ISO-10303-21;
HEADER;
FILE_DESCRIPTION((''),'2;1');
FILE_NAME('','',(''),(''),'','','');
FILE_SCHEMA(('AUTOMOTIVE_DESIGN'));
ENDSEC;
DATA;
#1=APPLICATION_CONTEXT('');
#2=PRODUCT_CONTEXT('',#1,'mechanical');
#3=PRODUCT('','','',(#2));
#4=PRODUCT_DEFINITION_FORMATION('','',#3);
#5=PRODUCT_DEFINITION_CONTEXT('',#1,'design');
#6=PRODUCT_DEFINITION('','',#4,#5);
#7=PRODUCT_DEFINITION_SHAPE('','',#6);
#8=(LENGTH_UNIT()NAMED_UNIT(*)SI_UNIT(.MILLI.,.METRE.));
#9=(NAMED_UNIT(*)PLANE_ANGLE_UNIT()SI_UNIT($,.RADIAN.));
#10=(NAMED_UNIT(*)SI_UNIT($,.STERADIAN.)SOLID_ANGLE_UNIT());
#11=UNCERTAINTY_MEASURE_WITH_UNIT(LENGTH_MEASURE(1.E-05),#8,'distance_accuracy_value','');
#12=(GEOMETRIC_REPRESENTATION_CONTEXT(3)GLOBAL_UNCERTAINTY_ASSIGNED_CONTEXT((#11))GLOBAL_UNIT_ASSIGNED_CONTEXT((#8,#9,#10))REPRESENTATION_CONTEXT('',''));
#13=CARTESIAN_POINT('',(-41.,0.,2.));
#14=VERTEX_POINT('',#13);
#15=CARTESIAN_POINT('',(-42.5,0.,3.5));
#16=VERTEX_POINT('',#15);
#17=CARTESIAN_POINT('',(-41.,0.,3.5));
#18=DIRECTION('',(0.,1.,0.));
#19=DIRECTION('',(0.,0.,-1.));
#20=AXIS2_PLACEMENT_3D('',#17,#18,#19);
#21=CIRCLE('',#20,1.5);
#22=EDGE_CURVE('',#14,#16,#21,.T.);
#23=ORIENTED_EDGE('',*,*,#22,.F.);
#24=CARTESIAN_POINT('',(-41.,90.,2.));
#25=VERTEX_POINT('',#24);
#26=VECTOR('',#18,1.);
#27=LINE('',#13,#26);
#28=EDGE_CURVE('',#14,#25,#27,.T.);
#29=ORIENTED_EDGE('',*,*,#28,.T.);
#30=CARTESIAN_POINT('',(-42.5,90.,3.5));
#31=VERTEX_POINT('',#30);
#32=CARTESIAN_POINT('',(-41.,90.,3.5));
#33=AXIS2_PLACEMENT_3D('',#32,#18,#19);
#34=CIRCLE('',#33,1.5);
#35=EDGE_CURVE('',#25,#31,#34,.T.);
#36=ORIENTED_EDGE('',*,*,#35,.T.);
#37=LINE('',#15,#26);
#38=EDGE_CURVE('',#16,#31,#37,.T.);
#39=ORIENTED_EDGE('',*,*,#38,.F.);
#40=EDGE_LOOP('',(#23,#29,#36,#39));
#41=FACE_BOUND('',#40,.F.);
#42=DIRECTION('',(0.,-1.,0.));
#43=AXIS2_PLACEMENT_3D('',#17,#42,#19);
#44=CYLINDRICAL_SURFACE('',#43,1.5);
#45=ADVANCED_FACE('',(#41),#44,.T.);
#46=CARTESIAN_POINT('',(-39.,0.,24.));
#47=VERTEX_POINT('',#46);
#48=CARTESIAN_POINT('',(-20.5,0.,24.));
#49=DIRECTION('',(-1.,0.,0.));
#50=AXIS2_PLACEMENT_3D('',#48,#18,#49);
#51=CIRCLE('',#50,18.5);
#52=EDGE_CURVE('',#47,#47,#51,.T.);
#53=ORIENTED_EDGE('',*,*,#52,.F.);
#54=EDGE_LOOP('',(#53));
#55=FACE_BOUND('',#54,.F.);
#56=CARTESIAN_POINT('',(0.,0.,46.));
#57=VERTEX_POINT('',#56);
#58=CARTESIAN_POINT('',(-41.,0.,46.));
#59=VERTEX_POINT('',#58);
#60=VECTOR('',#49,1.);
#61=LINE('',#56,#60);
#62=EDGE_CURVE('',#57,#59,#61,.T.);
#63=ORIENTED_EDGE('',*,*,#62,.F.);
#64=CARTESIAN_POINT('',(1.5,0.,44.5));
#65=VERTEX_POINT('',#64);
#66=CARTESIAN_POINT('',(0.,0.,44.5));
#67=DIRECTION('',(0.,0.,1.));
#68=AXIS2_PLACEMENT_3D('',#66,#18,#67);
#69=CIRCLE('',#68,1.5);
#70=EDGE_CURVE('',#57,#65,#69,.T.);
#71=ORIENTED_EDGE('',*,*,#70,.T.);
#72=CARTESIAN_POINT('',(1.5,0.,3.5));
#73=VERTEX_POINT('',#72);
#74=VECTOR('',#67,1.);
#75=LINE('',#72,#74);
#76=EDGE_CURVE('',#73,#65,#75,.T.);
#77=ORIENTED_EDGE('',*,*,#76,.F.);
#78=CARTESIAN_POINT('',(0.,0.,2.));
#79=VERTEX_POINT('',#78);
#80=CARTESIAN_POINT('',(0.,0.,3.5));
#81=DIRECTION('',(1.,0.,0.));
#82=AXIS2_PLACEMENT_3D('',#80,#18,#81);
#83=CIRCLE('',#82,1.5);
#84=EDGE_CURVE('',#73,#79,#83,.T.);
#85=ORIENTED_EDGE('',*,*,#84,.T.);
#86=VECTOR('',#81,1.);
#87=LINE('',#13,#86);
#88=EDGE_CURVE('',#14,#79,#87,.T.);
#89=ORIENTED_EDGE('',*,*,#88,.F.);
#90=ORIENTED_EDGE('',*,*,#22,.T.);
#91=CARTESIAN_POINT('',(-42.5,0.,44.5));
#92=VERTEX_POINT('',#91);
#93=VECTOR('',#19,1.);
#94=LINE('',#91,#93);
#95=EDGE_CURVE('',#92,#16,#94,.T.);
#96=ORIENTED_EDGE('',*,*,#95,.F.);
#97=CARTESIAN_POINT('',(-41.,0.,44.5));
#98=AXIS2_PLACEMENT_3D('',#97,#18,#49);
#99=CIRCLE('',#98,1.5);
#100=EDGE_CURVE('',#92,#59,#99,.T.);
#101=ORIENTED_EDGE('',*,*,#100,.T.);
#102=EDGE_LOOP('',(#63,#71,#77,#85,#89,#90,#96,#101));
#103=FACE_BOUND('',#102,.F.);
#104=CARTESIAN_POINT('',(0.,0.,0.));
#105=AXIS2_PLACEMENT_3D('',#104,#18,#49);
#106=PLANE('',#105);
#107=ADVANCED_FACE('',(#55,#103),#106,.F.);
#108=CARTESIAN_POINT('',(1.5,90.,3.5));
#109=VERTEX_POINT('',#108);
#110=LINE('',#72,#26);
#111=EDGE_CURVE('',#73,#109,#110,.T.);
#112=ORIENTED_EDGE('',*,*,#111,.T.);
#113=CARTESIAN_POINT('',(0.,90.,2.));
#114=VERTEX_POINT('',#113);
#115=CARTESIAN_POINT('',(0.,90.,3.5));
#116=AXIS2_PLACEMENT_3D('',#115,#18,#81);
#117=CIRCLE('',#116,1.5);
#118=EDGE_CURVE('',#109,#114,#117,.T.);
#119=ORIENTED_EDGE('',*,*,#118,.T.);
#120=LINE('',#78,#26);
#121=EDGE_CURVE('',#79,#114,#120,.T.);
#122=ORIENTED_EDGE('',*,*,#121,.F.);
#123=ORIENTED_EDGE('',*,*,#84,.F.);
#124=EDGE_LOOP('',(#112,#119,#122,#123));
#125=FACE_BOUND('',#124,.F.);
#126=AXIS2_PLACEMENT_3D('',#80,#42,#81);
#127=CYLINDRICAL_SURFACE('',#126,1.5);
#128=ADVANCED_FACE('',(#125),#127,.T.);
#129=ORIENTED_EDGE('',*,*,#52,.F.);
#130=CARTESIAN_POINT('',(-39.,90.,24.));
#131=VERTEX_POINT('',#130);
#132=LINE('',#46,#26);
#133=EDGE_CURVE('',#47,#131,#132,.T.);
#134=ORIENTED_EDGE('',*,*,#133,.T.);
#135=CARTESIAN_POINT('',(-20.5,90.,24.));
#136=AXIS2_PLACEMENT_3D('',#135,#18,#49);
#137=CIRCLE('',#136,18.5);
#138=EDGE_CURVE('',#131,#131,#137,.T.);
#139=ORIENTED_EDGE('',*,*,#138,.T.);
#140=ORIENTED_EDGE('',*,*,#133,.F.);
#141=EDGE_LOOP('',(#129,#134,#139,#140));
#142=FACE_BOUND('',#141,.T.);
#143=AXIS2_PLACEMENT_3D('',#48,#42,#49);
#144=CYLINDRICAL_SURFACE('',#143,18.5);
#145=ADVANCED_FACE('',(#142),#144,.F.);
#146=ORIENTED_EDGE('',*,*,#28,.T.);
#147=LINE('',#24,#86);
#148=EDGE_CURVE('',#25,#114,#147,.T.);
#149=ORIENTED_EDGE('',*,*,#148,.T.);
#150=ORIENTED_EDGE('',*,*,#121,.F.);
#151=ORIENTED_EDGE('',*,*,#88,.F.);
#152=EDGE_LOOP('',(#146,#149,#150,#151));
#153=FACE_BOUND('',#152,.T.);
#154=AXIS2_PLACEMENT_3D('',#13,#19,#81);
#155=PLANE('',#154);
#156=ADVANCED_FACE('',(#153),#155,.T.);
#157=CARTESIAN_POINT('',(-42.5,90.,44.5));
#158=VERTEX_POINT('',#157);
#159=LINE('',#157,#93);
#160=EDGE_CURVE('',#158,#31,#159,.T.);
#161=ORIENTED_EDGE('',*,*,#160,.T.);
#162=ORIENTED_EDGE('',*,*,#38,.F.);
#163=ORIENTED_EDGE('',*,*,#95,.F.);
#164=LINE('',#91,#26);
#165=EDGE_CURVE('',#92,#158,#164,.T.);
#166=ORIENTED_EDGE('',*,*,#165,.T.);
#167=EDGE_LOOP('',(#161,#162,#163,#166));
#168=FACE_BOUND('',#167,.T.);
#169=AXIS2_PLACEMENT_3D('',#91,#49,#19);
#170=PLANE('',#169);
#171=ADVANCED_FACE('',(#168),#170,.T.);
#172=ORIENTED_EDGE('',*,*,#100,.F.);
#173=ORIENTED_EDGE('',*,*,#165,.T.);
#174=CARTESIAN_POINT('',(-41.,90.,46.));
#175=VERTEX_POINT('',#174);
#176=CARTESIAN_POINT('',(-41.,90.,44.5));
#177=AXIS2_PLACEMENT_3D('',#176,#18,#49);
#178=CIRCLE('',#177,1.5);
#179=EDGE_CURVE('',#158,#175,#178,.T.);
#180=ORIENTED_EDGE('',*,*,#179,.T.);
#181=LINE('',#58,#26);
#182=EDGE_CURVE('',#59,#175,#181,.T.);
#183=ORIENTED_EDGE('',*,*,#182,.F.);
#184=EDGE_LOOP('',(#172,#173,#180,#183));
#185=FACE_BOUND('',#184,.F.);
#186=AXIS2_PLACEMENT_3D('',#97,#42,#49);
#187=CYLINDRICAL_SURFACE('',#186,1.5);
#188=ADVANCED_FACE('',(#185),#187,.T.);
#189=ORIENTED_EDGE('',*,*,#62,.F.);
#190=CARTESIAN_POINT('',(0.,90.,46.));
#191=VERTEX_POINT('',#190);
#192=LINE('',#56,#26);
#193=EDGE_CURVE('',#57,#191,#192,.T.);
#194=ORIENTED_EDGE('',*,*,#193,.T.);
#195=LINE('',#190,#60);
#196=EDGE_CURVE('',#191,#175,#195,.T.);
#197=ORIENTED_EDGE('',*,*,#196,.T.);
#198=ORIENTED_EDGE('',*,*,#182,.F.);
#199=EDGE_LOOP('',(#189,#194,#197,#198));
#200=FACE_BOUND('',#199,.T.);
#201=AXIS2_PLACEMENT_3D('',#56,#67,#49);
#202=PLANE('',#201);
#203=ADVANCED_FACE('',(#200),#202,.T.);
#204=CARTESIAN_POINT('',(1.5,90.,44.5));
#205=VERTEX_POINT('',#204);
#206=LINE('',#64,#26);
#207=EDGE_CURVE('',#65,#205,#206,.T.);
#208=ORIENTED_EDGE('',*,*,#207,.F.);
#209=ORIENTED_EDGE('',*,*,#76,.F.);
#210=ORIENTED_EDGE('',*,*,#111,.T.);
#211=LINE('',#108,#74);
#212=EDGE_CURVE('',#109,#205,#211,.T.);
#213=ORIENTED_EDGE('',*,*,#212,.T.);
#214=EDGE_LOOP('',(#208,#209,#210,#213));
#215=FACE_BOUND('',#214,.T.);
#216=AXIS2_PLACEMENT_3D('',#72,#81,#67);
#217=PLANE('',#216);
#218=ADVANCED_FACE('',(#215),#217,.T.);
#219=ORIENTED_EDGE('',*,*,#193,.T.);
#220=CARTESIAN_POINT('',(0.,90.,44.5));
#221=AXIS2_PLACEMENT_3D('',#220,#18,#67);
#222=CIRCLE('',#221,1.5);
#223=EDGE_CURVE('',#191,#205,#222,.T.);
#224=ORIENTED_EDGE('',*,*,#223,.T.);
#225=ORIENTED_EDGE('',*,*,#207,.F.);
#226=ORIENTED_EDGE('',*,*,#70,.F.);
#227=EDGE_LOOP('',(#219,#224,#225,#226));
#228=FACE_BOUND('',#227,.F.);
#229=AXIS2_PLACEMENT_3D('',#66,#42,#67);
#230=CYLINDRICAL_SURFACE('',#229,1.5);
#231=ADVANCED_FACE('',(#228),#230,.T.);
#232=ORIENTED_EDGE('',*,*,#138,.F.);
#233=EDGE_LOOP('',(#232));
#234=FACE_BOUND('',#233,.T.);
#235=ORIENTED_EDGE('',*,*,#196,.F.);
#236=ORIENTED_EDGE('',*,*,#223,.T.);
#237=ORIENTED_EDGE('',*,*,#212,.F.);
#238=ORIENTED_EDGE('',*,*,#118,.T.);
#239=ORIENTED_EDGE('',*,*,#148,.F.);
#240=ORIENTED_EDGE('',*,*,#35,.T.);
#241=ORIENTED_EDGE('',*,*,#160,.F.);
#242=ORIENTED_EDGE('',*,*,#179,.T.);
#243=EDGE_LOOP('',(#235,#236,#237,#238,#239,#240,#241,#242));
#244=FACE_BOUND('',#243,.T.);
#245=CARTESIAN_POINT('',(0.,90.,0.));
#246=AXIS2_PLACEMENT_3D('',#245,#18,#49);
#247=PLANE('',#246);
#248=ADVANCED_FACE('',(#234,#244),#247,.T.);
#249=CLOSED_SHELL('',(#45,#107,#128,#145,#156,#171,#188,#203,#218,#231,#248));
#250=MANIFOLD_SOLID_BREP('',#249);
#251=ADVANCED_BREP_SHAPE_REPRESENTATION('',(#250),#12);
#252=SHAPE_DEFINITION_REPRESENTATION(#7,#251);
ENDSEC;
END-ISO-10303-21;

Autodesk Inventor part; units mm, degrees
ref_plane "YZ Plane" through (0, 0, 0) normal (1, 0, 0) x (0, 1, 0)
ref_plane "XZ Plane" through (0, 0, 0) normal (0, 1, 0) x (-1, 0, 0)
ref_plane "XY Plane" through (0, 0, 0) normal (0, 0, 1) x (1, 0, 0)
sketch "Эскиз1" plane through (0, 0, 0) normal (0, 1, 0) x (-1, 0, 0)
  circle A0 centre (20.5, 24) radius 18.5
  line L0 (42.5, 44.5) -> (42.5, 3.5)
  line L1 (0, 46) -> (41, 46)
  arc A1 (42.5, 44.5) -> (41, 46) centre (41, 44.5) ccw
  arc A2 (0, 46) -> (-1.5, 44.5) centre (0, 44.5) ccw
  line L2 (-1.5, 3.5) -> (-1.5, 44.5)
  arc A3 (-1.5, 3.5) -> (0, 2) centre (0, 3.5) ccw
  line L3 (41, 2) -> (0, 2)
  arc A4 (41, 2) -> (42.5, 3.5) centre (41, 3.5) ccw
  point P0 (0, 0)
extrude "Выдавливание1" add sketch "Эскиз1" along normal blind 90
properties part number "Sulfur_electrode" material "ПВХ, гибкий"
